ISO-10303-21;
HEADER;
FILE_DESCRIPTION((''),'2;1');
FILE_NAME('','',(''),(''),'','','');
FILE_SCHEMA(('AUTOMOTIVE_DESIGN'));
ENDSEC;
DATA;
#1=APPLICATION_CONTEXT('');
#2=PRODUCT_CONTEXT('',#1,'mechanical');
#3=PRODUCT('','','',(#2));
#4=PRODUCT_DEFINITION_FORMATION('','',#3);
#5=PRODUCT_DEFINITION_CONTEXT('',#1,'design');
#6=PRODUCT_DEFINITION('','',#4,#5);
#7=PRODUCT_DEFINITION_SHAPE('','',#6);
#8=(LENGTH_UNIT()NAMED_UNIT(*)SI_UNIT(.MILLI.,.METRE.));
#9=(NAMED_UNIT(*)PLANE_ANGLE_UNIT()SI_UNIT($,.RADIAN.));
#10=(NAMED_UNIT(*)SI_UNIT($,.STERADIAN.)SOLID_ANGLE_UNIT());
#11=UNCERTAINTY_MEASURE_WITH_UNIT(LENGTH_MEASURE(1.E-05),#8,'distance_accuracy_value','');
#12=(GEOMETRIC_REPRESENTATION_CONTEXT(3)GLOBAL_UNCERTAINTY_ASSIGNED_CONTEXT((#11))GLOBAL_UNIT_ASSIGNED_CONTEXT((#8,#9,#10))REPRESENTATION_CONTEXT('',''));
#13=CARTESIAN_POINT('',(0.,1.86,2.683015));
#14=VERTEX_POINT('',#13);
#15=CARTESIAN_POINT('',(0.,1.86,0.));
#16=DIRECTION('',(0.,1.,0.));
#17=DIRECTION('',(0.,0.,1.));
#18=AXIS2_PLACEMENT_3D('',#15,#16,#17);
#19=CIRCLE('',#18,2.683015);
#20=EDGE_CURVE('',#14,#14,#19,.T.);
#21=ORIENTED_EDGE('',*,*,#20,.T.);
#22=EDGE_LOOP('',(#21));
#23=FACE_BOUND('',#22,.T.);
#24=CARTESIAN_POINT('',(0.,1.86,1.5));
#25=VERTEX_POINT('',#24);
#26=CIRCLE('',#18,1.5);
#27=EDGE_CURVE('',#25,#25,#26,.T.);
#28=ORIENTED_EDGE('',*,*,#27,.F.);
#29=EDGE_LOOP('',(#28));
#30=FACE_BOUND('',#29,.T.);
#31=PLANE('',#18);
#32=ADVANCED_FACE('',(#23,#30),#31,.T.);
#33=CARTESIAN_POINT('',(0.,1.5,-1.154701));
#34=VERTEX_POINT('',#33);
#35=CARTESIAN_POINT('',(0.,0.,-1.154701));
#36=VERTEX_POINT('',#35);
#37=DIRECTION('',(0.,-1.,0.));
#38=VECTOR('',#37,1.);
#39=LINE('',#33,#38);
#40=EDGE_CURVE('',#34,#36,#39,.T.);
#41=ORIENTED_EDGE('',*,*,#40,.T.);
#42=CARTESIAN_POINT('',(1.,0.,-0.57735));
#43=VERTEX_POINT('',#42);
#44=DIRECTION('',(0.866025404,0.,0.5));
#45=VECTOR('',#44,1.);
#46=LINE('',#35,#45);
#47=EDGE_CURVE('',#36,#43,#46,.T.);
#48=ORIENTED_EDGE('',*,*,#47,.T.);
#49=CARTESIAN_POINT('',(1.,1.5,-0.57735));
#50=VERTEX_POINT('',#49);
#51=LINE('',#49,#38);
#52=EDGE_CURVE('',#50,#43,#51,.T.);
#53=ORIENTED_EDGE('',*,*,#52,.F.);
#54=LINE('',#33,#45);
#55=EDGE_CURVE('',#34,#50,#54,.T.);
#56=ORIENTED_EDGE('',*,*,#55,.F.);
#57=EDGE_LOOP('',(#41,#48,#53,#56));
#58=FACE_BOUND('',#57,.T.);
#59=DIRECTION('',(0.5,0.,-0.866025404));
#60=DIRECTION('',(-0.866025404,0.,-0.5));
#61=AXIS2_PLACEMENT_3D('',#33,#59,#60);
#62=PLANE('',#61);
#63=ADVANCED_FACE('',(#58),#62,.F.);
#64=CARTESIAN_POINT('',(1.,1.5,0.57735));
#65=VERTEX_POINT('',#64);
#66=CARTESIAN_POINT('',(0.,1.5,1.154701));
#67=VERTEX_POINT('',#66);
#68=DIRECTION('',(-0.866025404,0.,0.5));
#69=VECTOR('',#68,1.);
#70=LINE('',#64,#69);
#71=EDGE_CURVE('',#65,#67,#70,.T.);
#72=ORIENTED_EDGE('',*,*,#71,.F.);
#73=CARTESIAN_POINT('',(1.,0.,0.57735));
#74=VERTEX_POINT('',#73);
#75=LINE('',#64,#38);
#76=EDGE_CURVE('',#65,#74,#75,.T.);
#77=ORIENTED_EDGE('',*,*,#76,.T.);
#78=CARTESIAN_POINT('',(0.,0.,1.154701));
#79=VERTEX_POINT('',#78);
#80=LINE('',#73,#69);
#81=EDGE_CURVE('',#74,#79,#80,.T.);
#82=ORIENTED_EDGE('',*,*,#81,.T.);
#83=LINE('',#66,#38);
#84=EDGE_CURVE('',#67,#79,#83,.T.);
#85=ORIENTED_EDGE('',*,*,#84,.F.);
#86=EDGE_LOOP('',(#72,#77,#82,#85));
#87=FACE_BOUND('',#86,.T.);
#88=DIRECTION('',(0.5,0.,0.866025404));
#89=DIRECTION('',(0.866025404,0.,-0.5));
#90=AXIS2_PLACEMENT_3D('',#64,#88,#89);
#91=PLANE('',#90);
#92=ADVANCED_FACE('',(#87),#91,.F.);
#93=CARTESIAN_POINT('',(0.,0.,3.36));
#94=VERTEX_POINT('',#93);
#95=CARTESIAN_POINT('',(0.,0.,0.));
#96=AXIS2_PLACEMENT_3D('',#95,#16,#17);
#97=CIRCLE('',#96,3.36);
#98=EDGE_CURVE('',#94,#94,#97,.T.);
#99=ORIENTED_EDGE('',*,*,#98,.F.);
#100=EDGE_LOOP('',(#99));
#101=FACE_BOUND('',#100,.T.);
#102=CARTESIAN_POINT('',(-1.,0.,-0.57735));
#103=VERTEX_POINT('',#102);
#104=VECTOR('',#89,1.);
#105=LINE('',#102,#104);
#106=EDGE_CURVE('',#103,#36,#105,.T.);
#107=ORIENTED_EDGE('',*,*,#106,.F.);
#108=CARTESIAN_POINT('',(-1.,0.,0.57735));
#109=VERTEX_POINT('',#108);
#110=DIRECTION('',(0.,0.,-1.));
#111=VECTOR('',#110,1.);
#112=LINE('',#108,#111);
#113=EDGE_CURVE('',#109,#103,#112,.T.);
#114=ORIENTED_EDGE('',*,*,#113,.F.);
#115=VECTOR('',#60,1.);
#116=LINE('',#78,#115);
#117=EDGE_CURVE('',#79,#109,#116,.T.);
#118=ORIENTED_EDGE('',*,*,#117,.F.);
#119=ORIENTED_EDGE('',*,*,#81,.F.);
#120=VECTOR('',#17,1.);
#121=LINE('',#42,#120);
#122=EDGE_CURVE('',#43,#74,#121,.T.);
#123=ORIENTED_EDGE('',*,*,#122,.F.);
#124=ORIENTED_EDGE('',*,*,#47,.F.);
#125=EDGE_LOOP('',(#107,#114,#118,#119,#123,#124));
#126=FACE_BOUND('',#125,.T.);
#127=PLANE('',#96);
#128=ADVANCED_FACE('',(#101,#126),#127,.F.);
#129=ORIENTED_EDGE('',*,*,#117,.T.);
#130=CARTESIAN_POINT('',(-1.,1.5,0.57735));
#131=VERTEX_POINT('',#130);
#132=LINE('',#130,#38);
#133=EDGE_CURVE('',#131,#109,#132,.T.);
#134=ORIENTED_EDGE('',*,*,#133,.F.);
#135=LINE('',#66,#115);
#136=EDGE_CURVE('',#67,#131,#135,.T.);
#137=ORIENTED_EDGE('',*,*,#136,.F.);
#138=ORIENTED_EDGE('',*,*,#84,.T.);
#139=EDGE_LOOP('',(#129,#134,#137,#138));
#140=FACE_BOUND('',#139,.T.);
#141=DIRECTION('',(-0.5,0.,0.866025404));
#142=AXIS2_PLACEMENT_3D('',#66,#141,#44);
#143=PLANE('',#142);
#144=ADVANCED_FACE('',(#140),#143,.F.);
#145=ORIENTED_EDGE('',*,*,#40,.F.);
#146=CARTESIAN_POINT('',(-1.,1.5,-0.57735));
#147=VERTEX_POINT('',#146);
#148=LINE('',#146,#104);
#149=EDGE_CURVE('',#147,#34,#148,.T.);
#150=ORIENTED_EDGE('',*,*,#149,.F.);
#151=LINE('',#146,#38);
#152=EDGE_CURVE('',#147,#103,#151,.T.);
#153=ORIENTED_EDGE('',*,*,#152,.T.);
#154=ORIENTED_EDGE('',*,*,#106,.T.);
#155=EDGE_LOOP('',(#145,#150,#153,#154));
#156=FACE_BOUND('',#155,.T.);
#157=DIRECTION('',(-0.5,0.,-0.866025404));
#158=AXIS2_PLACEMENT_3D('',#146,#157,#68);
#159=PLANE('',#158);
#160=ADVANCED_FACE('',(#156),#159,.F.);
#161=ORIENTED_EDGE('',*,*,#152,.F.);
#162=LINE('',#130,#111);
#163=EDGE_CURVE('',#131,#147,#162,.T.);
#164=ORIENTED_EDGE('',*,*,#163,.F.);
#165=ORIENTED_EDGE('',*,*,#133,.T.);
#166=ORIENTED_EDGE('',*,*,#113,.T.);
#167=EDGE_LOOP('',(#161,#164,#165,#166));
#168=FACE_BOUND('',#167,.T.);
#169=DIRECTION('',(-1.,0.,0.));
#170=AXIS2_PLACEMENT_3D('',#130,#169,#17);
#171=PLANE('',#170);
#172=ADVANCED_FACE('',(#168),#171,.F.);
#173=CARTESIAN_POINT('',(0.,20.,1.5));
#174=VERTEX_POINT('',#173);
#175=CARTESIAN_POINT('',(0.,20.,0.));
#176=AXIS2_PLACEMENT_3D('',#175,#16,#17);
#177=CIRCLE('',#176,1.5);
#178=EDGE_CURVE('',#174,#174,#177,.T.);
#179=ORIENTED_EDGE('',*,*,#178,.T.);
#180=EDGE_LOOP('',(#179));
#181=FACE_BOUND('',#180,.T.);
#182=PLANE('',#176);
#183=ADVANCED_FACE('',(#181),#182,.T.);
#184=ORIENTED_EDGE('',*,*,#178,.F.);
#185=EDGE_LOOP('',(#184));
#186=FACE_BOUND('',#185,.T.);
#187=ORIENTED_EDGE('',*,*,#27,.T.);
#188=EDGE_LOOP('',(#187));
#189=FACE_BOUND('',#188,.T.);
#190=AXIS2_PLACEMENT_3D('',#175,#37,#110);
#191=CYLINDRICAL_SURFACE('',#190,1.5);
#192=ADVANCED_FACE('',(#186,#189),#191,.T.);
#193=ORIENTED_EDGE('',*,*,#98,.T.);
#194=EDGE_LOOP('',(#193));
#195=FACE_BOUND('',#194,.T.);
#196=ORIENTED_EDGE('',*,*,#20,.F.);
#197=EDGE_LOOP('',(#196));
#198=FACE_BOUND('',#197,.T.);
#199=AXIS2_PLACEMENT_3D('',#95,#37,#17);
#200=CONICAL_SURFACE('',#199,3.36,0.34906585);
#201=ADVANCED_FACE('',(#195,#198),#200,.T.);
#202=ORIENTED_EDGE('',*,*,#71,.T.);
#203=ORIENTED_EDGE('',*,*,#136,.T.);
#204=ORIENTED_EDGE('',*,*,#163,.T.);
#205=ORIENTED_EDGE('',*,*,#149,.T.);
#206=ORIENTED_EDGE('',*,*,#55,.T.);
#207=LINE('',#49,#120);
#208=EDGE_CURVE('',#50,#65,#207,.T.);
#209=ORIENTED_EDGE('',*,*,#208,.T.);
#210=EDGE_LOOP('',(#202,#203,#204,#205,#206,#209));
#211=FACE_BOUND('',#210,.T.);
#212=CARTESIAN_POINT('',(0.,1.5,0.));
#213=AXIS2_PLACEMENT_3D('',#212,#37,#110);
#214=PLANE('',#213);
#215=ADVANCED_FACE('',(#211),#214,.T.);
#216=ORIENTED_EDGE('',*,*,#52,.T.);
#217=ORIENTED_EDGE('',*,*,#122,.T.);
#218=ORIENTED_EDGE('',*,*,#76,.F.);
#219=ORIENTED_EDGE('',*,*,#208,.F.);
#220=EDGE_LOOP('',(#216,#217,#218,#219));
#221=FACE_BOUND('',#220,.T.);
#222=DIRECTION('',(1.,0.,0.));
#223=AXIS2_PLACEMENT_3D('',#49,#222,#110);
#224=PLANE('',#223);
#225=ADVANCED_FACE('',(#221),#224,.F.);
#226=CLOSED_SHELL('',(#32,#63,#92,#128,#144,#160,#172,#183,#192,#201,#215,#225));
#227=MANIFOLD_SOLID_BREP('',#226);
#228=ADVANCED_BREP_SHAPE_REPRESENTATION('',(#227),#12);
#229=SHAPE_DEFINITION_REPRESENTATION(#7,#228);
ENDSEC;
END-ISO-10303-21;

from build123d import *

# Parameters (mm, degrees)
SKETCH1_R           = 3.36
BOSS_EXTRUDE1_DEPTH = 1.86
BOSS_EXTRUDE1_TAPER = 20
SKETCH2_R           = 1.5
BOSS_EXTRUDE2_DEPTH = 18.14
CUT_EXTRUDE1_DEPTH  = 1.5


with BuildPart() as part:
    # Sketch1 → Boss-Extrude1 (new body)
    with BuildSketch(Plane(origin=(0, 0, 0), x_dir=(1, 0, 0), z_dir=(0, 1, 0))):
        Circle(SKETCH1_R)
    extrude(amount=BOSS_EXTRUDE1_DEPTH, taper=BOSS_EXTRUDE1_TAPER)

    # Sketch2 → Boss-Extrude2 (add)
    with BuildSketch(Plane(origin=(0, 1.86, 0), x_dir=(1, 0, 0), z_dir=(0, 1, 0))):
        with Locations(Location((0, 0, 0), (0, 0, 270))):
            Circle(SKETCH2_R)
    extrude(amount=BOSS_EXTRUDE2_DEPTH)

    # Sketch3 → Cut-Extrude1 (cut)
    with BuildSketch(Plane.XZ):
        Polygon((0, 1.154700538), (-1, 0.577350269), (-1, -0.577350269), (0, -1.154700538), (1, -0.577350269), (1, 0.577350269), align=None)
    extrude(amount=-CUT_EXTRUDE1_DEPTH, mode=Mode.SUBTRACT)


solid = part.part
